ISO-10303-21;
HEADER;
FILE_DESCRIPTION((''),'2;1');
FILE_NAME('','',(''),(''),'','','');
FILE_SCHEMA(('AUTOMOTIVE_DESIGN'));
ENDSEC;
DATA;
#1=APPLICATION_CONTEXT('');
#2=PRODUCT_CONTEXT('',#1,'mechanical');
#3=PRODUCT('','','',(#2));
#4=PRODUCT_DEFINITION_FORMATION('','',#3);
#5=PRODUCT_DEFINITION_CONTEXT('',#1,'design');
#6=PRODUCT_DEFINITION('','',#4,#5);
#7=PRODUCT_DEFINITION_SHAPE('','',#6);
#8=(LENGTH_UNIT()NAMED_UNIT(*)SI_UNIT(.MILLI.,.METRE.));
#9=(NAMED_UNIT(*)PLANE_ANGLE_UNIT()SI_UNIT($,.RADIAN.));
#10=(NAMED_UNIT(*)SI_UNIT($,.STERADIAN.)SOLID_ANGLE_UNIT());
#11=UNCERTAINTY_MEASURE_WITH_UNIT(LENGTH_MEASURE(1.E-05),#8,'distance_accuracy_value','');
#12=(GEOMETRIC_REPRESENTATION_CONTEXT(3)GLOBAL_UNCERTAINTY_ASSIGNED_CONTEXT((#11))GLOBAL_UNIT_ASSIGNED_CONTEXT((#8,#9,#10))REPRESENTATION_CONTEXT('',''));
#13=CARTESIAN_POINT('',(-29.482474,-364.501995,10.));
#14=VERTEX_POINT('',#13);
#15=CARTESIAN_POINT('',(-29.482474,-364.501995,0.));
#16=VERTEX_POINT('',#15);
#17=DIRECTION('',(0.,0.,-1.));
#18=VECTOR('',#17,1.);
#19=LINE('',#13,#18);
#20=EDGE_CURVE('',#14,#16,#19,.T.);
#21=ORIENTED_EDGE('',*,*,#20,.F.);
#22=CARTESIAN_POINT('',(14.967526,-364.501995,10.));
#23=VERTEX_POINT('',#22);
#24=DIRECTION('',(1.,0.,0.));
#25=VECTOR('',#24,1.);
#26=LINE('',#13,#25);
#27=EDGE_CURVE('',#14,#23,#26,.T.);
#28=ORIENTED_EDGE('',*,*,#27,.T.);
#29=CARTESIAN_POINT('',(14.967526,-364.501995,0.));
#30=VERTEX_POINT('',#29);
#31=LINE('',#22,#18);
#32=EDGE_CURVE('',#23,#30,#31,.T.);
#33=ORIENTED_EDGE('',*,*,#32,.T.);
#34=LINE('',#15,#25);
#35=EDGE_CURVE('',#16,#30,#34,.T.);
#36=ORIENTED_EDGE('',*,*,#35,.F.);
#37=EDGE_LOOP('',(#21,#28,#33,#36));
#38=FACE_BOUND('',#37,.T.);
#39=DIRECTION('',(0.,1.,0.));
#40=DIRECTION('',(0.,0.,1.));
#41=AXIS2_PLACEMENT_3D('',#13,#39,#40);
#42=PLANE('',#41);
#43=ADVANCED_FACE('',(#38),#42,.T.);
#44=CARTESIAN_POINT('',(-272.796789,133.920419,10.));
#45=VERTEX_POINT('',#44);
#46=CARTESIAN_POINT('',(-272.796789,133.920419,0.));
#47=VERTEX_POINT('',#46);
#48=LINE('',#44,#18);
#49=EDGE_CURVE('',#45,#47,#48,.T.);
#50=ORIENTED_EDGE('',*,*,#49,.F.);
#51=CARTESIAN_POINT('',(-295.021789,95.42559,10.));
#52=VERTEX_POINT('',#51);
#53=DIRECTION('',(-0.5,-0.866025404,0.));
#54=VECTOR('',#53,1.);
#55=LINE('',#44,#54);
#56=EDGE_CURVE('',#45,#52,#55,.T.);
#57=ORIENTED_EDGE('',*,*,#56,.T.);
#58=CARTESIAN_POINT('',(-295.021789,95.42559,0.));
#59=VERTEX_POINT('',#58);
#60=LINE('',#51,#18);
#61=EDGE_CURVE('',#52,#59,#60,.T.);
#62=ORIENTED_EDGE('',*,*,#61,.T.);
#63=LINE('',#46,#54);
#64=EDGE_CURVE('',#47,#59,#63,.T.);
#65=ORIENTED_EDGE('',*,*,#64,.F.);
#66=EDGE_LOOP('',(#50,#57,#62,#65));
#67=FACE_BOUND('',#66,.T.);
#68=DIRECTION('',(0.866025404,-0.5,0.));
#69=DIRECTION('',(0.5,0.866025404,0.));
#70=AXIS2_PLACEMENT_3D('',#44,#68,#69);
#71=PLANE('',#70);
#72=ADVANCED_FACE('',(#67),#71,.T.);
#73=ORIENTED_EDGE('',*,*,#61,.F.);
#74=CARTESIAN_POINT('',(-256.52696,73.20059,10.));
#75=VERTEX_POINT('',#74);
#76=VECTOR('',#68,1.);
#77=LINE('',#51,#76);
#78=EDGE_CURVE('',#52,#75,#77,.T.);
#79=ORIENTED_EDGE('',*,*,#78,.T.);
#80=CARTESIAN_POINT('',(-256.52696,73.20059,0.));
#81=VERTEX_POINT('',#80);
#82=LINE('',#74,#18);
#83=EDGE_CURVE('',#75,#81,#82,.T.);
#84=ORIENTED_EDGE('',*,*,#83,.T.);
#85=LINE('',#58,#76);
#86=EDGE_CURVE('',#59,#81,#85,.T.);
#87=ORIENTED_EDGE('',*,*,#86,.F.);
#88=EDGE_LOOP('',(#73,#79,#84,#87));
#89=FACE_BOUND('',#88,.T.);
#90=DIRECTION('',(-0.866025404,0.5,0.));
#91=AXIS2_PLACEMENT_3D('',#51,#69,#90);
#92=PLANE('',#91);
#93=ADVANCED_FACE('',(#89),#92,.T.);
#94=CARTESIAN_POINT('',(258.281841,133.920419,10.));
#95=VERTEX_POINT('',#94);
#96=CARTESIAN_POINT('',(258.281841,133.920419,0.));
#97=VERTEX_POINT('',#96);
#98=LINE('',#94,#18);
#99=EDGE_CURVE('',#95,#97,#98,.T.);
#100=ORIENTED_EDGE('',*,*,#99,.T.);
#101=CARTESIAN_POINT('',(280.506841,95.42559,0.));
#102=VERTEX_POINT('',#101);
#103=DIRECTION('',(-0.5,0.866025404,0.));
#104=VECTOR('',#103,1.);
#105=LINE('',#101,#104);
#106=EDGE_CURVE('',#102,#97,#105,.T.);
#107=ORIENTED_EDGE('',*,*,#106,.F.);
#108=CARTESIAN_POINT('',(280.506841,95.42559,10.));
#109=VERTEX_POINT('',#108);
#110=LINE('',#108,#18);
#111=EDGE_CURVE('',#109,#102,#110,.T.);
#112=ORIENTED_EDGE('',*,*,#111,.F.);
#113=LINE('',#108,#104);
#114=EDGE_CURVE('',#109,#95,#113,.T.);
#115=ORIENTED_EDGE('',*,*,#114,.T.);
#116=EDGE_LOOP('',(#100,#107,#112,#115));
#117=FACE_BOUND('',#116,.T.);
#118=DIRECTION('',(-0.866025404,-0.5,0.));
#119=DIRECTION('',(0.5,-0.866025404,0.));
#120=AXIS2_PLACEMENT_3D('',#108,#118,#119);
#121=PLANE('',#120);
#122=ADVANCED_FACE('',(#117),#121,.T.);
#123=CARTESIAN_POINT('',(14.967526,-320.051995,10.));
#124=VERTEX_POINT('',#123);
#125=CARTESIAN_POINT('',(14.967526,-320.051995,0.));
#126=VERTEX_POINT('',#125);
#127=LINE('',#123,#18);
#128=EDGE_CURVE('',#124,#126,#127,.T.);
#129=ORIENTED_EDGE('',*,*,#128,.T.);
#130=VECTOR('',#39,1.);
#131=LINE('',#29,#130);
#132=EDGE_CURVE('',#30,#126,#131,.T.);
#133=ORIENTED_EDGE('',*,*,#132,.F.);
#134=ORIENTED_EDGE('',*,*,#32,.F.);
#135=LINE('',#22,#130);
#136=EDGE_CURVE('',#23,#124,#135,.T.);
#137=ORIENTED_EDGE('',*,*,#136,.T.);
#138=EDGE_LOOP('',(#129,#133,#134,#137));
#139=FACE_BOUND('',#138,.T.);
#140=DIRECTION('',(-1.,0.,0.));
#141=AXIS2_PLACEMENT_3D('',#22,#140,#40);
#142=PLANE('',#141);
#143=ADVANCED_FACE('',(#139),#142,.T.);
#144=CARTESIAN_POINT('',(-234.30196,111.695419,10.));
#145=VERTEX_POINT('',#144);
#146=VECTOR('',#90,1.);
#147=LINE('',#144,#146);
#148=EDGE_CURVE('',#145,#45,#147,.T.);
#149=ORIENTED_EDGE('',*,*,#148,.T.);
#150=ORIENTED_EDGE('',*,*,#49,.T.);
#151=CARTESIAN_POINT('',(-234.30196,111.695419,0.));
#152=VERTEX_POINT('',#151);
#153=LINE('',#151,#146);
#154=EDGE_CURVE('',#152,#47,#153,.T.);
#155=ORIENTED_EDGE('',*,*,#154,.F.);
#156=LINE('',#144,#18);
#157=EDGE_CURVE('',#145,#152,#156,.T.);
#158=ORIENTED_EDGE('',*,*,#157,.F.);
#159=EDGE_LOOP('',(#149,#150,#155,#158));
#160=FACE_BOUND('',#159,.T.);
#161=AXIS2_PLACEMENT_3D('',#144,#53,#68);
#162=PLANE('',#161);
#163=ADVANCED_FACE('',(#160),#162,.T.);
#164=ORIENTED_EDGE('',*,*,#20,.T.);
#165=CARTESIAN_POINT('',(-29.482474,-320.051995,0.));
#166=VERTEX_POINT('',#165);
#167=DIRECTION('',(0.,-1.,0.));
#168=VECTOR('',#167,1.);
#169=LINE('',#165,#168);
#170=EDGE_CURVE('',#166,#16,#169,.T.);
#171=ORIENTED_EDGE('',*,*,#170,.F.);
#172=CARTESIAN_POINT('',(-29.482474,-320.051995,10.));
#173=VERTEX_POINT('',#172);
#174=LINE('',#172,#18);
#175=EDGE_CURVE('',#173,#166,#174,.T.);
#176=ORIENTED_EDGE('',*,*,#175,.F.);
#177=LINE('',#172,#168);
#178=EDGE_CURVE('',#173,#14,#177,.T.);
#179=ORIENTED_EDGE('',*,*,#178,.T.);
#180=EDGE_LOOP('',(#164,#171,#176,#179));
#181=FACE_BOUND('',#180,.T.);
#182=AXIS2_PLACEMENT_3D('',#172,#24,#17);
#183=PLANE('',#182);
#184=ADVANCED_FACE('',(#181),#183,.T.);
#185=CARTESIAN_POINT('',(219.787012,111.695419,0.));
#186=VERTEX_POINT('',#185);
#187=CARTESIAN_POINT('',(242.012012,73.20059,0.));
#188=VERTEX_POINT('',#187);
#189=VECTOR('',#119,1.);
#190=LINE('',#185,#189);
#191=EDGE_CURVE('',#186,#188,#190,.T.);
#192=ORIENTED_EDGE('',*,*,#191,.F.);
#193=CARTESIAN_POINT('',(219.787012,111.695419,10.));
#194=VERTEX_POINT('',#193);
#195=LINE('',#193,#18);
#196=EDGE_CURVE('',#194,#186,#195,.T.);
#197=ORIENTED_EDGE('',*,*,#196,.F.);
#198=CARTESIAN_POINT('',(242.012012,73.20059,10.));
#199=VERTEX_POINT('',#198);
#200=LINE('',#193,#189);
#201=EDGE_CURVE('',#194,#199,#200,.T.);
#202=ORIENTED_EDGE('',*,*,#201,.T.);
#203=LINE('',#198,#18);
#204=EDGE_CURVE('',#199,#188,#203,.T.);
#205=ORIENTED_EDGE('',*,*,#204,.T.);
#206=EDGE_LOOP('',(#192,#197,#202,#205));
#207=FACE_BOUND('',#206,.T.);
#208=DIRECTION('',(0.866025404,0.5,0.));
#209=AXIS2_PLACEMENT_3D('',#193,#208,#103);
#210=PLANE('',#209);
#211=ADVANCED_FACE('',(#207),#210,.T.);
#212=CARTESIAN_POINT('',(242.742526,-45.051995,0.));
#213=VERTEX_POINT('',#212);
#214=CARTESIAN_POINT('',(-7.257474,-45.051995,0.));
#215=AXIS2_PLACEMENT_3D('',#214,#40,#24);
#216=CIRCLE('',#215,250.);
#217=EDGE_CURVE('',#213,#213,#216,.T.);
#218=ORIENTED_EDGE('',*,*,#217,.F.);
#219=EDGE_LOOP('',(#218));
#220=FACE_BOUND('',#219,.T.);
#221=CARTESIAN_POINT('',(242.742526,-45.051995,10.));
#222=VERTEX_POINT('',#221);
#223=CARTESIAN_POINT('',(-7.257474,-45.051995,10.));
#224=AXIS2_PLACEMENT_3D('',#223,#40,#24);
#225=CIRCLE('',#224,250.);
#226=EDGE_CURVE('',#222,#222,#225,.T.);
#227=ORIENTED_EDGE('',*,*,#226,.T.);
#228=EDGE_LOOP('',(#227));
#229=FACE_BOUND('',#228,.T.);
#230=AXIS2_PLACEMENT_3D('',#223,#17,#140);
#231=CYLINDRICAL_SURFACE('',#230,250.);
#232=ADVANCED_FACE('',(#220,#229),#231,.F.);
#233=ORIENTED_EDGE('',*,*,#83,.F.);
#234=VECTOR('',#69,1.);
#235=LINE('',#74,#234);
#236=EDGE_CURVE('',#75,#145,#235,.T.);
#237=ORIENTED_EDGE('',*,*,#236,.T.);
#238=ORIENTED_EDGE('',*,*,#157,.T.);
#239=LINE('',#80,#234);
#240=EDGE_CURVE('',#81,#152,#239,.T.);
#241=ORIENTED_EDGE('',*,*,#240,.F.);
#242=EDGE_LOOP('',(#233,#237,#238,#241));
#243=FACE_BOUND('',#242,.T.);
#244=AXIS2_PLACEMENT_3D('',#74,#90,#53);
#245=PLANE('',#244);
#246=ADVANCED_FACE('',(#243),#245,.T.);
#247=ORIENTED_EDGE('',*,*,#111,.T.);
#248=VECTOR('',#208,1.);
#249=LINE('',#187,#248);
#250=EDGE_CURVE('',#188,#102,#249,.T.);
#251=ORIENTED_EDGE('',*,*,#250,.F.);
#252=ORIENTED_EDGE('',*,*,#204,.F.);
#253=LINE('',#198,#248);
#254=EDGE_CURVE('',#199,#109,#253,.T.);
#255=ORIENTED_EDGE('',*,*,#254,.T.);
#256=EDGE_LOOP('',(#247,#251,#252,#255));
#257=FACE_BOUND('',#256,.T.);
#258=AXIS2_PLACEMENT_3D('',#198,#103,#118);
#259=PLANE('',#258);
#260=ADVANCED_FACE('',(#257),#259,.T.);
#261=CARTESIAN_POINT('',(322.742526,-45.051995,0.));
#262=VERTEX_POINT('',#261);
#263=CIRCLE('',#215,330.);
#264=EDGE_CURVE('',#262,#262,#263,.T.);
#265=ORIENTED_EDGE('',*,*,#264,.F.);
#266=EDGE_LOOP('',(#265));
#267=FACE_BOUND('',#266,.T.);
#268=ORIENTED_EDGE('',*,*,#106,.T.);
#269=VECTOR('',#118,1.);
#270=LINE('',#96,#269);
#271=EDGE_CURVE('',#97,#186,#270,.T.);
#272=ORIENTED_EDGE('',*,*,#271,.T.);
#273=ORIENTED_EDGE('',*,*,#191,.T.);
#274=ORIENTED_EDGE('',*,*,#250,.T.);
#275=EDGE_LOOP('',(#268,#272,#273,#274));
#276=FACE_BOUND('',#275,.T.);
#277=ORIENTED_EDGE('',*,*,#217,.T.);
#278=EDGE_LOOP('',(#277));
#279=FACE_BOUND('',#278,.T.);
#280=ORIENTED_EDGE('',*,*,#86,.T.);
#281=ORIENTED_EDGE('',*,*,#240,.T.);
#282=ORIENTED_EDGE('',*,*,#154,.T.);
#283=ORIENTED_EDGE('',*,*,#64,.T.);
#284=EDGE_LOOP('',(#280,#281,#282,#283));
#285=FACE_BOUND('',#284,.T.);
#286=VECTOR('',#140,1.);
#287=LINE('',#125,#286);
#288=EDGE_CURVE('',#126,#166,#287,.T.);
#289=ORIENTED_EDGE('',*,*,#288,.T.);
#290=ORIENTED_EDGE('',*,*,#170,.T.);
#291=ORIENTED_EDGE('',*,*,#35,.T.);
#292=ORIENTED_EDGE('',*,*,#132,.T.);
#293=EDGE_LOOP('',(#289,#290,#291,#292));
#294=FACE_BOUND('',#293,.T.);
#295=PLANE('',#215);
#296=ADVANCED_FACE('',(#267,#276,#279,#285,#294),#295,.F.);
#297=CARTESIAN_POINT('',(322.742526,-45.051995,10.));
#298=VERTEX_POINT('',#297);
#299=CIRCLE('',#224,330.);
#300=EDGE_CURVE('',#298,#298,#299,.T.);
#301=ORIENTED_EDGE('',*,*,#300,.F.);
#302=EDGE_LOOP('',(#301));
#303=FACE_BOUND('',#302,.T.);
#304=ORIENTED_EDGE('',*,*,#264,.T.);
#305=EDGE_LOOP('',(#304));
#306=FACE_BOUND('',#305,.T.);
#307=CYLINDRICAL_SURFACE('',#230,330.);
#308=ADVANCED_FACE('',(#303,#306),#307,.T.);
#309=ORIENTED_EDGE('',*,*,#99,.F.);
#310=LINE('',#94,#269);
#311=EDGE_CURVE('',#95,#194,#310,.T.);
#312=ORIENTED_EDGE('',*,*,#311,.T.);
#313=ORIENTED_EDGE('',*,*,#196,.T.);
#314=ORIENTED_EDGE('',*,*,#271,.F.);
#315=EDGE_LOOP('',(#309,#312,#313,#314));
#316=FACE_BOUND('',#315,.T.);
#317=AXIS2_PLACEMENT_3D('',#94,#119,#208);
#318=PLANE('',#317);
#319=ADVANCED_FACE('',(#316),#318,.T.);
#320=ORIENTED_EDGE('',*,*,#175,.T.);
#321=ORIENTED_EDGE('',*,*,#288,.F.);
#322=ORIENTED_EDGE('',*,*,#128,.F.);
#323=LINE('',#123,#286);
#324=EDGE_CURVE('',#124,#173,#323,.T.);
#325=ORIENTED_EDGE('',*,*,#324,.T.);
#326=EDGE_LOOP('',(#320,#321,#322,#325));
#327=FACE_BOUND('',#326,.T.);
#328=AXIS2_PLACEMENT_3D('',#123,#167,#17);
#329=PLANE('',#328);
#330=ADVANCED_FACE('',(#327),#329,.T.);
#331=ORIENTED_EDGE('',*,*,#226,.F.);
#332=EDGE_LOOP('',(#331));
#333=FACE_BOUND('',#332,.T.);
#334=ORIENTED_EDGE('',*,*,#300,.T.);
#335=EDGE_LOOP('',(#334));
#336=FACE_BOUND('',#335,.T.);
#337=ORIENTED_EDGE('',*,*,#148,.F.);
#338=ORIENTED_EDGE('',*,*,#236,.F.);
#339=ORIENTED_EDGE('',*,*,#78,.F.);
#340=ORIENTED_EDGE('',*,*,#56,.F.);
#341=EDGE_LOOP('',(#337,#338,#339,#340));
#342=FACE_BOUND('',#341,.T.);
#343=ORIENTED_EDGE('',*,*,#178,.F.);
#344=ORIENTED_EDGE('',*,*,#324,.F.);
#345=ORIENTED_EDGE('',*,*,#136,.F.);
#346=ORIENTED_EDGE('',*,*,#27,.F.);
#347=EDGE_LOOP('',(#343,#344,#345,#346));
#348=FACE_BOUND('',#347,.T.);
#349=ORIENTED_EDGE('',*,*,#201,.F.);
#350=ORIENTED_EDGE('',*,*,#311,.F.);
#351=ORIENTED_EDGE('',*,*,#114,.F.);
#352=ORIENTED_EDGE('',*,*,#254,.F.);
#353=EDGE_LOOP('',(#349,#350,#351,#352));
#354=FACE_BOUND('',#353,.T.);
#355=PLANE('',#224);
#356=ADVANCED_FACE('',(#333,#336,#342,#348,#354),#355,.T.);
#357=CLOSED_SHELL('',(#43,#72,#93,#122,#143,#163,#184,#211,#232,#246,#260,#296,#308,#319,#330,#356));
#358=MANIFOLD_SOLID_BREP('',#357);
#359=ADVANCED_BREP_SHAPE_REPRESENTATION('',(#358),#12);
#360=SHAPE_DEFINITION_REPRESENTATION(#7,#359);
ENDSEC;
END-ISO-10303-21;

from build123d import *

# Parameters (mm, degrees)
SKETCH2_R           = 330
SKETCH2_R_2         = 250
SKETCH2_W           = 44.45
SKETCH2_H           = 44.45
BOSS_EXTRUDE1_DEPTH = 10


with BuildPart() as part:
    # Sketch2 → Boss-Extrude1 (new body)
    with BuildSketch(Plane.XY):
        with Locations((-7.257473883, -45.051995239)):
            Circle(SKETCH2_R)
        with Locations((-7.257473883, -45.051995239)):
            Circle(SKETCH2_R_2, mode=Mode.SUBTRACT)
        Polygon((-272.796789122, 133.92041936), (-295.021789122, 95.425590162), (-256.526959924, 73.200590162), (-234.301959924, 111.69541936), align=None, mode=Mode.SUBTRACT)
        Polygon((258.281841356, 133.92041936), (219.787012158, 111.69541936), (242.012012158, 73.200590162), (280.506841356, 95.425590162), align=None, mode=Mode.SUBTRACT)
        with Locations((-7.257473883, -342.276995239)):
            Rectangle(SKETCH2_W, SKETCH2_H, mode=Mode.SUBTRACT)
    extrude(amount=BOSS_EXTRUDE1_DEPTH)


solid = part.part
